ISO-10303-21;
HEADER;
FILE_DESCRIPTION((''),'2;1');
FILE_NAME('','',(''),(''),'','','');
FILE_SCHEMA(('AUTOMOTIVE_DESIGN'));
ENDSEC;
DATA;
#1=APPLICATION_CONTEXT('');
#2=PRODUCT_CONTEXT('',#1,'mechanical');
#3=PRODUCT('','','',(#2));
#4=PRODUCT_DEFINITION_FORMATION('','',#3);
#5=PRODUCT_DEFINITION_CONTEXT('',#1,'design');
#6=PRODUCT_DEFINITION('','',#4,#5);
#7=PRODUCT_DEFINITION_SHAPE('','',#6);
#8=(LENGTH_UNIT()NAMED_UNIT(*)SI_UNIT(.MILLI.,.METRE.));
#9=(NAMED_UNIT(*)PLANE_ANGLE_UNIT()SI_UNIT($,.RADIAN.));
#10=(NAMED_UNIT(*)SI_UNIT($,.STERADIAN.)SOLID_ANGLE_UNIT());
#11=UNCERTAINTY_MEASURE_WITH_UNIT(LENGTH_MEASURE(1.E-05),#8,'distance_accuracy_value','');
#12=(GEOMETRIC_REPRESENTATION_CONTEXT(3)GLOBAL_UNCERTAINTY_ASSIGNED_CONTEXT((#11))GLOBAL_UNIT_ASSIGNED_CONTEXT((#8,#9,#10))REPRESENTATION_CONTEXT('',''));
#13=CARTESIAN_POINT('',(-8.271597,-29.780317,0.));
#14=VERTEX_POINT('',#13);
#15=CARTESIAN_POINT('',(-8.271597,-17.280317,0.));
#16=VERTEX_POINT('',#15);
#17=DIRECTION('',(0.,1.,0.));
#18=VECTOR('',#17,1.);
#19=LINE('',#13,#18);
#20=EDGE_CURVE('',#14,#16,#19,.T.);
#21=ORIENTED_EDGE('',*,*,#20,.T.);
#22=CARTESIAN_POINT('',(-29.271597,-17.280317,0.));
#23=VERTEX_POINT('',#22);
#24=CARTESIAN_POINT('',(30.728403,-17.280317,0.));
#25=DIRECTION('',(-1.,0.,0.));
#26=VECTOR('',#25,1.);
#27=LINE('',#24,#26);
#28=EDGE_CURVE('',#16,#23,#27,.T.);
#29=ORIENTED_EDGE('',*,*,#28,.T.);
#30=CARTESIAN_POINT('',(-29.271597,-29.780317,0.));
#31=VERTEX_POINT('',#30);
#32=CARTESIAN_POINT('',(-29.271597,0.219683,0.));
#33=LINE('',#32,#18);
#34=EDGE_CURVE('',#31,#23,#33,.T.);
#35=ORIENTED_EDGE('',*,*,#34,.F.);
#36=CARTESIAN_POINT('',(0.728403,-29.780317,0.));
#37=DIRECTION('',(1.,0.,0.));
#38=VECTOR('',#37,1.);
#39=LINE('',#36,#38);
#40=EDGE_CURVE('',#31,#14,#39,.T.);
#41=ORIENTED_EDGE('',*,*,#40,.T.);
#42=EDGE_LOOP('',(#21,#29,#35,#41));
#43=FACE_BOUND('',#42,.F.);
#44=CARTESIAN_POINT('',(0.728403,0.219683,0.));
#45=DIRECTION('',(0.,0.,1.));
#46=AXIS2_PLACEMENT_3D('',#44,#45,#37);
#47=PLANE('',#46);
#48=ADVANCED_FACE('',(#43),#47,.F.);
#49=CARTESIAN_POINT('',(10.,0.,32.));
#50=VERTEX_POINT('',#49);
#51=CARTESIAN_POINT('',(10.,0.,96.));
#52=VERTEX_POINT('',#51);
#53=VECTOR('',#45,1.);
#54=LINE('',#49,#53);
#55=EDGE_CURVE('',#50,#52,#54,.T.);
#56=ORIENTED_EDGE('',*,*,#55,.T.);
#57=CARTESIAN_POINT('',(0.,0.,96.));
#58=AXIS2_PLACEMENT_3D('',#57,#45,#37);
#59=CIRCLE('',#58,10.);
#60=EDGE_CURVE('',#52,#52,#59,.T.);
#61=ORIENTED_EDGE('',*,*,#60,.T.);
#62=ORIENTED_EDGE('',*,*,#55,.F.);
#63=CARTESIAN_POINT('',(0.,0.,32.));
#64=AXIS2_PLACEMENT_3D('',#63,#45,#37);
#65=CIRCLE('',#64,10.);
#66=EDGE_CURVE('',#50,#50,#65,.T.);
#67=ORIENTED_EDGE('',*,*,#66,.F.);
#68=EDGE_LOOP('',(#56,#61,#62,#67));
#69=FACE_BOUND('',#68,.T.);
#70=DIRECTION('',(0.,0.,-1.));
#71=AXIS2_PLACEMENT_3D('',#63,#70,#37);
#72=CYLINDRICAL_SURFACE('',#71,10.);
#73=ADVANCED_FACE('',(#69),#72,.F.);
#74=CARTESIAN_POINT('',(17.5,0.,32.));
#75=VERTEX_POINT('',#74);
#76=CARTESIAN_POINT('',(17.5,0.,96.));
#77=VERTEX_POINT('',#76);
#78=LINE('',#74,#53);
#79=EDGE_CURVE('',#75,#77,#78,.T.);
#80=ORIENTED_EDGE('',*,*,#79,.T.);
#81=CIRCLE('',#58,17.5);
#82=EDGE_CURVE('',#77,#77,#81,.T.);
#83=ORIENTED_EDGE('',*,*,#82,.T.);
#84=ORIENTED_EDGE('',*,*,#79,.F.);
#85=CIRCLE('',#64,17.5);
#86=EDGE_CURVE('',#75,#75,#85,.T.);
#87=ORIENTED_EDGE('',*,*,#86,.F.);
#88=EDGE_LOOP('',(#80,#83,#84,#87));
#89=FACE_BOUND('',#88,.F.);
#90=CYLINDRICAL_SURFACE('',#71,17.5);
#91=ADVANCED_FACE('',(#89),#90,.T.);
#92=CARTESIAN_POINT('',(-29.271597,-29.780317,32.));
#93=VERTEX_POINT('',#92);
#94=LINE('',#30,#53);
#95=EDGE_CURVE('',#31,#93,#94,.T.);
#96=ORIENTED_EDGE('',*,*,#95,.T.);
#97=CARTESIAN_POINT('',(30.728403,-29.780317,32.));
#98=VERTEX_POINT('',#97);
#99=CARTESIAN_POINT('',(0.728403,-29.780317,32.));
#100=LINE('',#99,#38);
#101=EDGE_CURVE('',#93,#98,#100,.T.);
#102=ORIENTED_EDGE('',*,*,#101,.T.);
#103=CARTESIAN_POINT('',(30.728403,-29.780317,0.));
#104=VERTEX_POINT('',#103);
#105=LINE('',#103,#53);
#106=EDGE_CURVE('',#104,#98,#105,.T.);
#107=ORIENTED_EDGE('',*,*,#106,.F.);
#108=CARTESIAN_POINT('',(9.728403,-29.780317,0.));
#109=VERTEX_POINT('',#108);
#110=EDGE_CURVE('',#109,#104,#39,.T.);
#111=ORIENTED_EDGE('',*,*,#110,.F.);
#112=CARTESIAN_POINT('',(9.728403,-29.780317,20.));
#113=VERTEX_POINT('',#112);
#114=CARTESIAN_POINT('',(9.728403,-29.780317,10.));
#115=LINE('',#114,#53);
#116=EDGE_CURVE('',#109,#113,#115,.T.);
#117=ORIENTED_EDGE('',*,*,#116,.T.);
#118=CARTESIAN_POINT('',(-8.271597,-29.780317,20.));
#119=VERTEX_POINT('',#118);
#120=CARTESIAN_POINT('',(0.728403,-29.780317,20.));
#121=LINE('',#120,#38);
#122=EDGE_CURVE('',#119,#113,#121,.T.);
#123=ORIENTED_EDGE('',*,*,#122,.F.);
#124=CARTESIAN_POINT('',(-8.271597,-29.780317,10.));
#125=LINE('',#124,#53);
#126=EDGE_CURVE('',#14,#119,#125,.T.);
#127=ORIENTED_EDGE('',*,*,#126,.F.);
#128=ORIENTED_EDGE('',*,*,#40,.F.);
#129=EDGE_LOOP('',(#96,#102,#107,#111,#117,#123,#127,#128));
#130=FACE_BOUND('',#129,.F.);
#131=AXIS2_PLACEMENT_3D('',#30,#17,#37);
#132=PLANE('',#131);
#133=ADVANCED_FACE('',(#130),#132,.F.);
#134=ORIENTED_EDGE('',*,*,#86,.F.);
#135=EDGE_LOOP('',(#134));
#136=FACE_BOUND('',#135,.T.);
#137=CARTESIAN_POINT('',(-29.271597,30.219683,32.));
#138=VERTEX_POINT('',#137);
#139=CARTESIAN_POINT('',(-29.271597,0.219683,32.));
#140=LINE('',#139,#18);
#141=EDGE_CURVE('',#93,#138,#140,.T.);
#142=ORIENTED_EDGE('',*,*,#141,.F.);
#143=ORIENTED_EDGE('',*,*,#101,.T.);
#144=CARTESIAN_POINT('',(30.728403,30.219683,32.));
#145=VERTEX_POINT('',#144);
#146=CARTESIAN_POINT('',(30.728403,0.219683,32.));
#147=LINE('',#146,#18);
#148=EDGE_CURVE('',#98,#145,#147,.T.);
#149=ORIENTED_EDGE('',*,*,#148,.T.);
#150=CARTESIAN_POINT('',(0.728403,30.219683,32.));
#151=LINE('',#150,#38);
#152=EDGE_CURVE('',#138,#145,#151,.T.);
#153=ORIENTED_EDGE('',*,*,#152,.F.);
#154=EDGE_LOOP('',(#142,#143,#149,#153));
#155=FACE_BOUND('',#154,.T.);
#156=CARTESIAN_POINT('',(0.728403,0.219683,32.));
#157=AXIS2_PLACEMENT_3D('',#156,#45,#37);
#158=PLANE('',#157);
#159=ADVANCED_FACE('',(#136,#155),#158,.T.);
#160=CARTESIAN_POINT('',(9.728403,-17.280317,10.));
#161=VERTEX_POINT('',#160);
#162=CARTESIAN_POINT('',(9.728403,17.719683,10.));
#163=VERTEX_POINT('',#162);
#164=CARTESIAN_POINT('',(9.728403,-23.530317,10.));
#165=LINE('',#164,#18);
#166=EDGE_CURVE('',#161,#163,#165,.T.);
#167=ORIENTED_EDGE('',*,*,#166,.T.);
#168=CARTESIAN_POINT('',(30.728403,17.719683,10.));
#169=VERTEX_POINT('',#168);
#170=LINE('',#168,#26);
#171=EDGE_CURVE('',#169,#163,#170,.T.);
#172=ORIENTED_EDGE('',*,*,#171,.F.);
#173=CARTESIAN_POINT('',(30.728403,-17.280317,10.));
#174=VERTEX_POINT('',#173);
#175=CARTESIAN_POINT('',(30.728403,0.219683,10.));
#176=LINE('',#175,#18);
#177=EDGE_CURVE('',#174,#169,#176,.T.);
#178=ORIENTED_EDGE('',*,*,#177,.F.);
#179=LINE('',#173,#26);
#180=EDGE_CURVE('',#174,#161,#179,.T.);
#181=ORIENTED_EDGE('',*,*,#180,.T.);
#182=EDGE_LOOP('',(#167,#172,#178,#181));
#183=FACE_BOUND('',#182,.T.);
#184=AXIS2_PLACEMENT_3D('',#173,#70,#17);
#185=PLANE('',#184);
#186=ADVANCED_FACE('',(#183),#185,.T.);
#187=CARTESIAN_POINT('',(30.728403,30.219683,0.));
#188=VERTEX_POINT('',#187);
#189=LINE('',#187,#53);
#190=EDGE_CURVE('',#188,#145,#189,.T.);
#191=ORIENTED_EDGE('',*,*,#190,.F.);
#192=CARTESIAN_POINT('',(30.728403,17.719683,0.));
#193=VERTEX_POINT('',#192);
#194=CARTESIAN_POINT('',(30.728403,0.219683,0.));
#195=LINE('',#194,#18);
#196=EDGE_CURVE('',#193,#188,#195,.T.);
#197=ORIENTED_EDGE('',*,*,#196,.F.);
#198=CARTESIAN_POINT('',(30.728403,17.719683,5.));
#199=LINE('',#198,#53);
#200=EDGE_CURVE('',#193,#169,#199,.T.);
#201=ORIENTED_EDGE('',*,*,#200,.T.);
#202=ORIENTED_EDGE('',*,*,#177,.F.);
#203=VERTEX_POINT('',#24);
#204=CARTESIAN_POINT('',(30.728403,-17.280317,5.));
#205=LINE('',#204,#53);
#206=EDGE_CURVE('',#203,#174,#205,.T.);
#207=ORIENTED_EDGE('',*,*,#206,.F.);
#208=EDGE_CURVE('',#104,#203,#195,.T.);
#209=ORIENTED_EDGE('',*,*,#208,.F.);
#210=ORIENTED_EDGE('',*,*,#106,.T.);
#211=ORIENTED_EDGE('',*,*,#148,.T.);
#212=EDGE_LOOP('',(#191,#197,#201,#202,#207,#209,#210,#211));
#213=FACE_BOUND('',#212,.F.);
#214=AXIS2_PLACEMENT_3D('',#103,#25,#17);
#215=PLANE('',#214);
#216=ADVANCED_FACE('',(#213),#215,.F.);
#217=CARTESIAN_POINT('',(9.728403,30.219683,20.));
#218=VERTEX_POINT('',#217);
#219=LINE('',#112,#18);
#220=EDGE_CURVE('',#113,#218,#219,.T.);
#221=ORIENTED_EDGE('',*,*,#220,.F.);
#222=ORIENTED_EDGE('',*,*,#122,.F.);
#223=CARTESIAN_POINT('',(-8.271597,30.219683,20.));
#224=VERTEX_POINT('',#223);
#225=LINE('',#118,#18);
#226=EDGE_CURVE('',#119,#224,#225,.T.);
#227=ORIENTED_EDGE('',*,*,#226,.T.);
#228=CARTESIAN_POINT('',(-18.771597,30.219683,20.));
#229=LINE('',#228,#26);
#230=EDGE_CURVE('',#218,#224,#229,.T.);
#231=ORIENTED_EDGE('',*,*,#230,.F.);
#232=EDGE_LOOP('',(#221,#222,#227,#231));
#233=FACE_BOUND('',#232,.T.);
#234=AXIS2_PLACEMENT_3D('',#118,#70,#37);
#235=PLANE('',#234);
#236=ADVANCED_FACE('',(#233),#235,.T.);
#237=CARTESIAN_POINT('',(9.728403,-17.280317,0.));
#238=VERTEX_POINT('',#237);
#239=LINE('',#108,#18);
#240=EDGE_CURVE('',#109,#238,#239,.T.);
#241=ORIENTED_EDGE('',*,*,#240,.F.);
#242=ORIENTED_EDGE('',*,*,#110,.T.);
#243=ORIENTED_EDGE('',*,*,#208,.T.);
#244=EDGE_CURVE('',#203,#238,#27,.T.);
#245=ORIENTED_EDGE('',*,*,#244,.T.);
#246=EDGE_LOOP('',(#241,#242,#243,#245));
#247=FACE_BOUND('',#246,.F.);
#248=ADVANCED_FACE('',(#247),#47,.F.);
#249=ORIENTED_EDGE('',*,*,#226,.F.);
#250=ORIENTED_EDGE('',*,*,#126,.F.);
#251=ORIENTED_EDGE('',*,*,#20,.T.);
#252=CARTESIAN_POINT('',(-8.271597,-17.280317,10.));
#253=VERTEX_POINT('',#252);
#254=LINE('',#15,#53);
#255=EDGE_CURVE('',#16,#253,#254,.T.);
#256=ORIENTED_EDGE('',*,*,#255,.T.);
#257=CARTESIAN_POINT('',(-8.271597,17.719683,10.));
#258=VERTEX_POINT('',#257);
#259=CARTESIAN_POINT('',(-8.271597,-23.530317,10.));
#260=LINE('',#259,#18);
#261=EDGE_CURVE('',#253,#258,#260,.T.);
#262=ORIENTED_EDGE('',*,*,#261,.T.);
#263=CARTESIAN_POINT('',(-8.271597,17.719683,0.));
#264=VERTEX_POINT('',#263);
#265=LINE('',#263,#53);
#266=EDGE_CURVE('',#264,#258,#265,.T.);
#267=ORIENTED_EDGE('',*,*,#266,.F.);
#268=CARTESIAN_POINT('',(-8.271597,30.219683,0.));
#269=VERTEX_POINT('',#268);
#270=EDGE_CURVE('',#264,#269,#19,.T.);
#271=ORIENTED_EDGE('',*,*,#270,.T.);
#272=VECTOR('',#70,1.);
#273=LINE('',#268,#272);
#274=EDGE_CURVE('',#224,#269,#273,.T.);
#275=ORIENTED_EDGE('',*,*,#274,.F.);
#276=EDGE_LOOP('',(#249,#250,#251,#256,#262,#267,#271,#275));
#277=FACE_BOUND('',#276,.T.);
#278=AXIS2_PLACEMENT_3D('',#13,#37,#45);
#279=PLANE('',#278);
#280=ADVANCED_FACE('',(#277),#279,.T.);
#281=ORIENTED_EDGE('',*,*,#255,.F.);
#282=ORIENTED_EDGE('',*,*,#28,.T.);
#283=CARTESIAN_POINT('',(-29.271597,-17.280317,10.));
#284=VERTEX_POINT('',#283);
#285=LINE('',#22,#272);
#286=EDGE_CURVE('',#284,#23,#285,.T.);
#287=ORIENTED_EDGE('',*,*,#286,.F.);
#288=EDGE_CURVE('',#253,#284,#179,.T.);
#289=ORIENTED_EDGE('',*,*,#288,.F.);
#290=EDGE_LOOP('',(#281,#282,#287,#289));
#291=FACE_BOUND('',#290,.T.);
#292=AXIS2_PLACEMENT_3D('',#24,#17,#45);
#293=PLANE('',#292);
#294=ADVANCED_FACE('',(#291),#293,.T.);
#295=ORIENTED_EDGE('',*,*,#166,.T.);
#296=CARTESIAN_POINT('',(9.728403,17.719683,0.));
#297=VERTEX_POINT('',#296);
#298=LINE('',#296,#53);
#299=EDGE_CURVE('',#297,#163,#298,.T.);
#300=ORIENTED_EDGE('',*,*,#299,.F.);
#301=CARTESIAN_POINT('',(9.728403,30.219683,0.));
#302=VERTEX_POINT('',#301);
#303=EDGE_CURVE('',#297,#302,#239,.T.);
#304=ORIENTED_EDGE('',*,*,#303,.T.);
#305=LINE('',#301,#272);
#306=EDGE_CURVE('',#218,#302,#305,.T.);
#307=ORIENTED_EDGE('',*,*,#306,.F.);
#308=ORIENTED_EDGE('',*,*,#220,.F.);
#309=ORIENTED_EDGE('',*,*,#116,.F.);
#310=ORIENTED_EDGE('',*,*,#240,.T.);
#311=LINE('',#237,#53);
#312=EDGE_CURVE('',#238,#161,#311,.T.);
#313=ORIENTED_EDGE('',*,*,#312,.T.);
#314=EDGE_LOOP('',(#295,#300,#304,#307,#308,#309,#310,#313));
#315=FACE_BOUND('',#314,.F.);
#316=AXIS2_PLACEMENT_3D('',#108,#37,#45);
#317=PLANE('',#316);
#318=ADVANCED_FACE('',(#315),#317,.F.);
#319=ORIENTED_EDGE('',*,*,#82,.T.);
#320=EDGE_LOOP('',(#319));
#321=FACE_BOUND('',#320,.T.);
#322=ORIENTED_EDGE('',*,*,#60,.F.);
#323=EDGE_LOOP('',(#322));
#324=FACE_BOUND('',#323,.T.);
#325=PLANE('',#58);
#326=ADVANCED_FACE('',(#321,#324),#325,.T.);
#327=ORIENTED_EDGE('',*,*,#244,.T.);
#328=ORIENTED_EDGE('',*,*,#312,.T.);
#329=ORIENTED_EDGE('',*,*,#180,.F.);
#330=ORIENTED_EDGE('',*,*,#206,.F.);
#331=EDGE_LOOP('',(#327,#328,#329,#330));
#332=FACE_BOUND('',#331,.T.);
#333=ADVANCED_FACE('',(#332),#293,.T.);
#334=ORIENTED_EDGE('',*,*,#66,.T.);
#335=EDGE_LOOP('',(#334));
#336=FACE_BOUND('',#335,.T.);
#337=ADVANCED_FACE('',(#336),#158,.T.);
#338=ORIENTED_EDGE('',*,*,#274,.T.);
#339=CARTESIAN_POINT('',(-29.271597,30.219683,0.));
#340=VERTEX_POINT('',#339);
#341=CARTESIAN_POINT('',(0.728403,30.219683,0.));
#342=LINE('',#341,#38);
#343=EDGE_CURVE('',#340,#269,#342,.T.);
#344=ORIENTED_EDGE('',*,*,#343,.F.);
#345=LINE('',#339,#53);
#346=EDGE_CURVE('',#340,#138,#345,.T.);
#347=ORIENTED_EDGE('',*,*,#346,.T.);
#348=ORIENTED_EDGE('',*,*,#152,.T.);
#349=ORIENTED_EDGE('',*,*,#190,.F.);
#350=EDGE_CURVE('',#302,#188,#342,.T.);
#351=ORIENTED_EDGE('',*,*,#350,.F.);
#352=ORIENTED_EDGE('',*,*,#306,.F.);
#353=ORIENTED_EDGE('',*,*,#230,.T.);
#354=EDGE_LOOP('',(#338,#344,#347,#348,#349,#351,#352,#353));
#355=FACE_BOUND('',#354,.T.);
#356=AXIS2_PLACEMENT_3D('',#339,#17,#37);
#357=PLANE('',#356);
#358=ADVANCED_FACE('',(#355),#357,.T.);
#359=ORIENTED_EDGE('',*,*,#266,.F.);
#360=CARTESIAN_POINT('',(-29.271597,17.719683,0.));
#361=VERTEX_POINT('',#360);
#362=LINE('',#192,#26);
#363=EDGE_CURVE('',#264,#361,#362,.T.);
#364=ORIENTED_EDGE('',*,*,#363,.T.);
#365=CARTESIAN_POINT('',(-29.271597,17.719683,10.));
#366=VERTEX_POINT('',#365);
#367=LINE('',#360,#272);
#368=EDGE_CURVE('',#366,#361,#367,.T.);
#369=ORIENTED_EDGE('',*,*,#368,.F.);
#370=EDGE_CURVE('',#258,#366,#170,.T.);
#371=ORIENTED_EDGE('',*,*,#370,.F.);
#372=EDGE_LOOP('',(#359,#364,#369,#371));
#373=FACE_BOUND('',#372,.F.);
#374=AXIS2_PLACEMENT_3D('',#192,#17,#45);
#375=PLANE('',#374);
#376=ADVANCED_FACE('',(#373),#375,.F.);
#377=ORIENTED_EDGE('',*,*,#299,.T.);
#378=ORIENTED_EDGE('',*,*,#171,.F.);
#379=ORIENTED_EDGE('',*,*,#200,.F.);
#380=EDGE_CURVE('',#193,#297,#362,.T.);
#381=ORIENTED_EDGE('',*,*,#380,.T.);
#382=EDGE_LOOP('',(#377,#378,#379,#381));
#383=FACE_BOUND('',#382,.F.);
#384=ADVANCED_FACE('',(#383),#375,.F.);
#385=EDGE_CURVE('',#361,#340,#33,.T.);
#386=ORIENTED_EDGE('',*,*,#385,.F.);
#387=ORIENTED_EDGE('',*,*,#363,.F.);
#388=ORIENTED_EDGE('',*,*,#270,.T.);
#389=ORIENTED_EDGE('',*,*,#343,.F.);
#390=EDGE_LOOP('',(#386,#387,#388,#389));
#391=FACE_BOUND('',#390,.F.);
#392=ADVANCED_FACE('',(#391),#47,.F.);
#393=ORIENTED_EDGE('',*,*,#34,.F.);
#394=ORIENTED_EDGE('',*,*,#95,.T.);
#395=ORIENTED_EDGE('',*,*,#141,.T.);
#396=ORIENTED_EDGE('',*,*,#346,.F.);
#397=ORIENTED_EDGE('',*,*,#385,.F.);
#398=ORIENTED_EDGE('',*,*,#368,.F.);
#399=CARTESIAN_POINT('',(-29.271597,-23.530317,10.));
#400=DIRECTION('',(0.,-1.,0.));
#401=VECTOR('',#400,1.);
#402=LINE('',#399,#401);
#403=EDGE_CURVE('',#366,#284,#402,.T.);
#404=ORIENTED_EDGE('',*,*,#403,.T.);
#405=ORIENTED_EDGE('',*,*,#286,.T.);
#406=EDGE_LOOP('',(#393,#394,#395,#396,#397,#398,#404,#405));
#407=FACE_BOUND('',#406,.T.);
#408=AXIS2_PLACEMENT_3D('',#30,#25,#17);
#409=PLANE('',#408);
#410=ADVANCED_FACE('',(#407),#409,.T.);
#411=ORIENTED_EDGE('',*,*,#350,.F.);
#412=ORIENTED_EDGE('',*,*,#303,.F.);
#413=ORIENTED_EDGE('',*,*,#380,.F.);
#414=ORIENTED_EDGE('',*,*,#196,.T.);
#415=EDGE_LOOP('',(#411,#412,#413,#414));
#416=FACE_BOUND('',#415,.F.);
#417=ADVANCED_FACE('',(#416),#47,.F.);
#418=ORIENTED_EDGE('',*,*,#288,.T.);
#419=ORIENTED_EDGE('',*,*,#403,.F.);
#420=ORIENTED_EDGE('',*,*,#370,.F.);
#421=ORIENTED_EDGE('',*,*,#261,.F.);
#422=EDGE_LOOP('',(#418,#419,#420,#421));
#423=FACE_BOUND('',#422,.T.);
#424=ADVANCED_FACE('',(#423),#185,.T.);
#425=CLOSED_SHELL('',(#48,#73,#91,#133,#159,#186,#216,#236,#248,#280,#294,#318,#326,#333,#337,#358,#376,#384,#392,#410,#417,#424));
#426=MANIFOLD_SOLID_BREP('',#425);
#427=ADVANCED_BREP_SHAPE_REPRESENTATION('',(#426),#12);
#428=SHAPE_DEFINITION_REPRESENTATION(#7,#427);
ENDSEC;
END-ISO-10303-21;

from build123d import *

# Parameters (mm, degrees)
F0_W     = 60
F0_H     = 60
F1_DEPTH = 32
F2_W     = 18
F2_H     = 20
F3_DEPTH = 60.001
F4_W     = 35
F4_H     = 10
F5_DEPTH = 60.001
F6_R     = 17.5
F6_R_2   = 10
F7_DEPTH = 64


with BuildPart() as f1:
    # F0 (on Top) → F1 (new body)
    with BuildSketch(Plane.XY):
        with Locations((0.728403, 0.219683)):
            Rectangle(F0_W, F0_H)
    extrude(amount=F1_DEPTH)

    # F2 (on face) → F3 (cut, through all)
    with BuildSketch(Plane.XZ.offset(29.780317)):
        with Locations((0.728403, 10)):
            Rectangle(F2_W, F2_H)
    extrude(amount=-F3_DEPTH, mode=Mode.SUBTRACT)

    # F4 (on face) → F5 (cut, through all)
    with BuildSketch(Plane.YZ.offset(30.728403)):
        with Locations((0.219683, 5)):
            Rectangle(F4_W, F4_H)
    extrude(amount=-F5_DEPTH, mode=Mode.SUBTRACT)

    # F6 (on face) → F7 (join)
    with BuildSketch(Plane.XY.offset(32)):
        Circle(F6_R)
        Circle(F6_R_2, mode=Mode.SUBTRACT)
    extrude(amount=F7_DEPTH)


solid = f1.part
